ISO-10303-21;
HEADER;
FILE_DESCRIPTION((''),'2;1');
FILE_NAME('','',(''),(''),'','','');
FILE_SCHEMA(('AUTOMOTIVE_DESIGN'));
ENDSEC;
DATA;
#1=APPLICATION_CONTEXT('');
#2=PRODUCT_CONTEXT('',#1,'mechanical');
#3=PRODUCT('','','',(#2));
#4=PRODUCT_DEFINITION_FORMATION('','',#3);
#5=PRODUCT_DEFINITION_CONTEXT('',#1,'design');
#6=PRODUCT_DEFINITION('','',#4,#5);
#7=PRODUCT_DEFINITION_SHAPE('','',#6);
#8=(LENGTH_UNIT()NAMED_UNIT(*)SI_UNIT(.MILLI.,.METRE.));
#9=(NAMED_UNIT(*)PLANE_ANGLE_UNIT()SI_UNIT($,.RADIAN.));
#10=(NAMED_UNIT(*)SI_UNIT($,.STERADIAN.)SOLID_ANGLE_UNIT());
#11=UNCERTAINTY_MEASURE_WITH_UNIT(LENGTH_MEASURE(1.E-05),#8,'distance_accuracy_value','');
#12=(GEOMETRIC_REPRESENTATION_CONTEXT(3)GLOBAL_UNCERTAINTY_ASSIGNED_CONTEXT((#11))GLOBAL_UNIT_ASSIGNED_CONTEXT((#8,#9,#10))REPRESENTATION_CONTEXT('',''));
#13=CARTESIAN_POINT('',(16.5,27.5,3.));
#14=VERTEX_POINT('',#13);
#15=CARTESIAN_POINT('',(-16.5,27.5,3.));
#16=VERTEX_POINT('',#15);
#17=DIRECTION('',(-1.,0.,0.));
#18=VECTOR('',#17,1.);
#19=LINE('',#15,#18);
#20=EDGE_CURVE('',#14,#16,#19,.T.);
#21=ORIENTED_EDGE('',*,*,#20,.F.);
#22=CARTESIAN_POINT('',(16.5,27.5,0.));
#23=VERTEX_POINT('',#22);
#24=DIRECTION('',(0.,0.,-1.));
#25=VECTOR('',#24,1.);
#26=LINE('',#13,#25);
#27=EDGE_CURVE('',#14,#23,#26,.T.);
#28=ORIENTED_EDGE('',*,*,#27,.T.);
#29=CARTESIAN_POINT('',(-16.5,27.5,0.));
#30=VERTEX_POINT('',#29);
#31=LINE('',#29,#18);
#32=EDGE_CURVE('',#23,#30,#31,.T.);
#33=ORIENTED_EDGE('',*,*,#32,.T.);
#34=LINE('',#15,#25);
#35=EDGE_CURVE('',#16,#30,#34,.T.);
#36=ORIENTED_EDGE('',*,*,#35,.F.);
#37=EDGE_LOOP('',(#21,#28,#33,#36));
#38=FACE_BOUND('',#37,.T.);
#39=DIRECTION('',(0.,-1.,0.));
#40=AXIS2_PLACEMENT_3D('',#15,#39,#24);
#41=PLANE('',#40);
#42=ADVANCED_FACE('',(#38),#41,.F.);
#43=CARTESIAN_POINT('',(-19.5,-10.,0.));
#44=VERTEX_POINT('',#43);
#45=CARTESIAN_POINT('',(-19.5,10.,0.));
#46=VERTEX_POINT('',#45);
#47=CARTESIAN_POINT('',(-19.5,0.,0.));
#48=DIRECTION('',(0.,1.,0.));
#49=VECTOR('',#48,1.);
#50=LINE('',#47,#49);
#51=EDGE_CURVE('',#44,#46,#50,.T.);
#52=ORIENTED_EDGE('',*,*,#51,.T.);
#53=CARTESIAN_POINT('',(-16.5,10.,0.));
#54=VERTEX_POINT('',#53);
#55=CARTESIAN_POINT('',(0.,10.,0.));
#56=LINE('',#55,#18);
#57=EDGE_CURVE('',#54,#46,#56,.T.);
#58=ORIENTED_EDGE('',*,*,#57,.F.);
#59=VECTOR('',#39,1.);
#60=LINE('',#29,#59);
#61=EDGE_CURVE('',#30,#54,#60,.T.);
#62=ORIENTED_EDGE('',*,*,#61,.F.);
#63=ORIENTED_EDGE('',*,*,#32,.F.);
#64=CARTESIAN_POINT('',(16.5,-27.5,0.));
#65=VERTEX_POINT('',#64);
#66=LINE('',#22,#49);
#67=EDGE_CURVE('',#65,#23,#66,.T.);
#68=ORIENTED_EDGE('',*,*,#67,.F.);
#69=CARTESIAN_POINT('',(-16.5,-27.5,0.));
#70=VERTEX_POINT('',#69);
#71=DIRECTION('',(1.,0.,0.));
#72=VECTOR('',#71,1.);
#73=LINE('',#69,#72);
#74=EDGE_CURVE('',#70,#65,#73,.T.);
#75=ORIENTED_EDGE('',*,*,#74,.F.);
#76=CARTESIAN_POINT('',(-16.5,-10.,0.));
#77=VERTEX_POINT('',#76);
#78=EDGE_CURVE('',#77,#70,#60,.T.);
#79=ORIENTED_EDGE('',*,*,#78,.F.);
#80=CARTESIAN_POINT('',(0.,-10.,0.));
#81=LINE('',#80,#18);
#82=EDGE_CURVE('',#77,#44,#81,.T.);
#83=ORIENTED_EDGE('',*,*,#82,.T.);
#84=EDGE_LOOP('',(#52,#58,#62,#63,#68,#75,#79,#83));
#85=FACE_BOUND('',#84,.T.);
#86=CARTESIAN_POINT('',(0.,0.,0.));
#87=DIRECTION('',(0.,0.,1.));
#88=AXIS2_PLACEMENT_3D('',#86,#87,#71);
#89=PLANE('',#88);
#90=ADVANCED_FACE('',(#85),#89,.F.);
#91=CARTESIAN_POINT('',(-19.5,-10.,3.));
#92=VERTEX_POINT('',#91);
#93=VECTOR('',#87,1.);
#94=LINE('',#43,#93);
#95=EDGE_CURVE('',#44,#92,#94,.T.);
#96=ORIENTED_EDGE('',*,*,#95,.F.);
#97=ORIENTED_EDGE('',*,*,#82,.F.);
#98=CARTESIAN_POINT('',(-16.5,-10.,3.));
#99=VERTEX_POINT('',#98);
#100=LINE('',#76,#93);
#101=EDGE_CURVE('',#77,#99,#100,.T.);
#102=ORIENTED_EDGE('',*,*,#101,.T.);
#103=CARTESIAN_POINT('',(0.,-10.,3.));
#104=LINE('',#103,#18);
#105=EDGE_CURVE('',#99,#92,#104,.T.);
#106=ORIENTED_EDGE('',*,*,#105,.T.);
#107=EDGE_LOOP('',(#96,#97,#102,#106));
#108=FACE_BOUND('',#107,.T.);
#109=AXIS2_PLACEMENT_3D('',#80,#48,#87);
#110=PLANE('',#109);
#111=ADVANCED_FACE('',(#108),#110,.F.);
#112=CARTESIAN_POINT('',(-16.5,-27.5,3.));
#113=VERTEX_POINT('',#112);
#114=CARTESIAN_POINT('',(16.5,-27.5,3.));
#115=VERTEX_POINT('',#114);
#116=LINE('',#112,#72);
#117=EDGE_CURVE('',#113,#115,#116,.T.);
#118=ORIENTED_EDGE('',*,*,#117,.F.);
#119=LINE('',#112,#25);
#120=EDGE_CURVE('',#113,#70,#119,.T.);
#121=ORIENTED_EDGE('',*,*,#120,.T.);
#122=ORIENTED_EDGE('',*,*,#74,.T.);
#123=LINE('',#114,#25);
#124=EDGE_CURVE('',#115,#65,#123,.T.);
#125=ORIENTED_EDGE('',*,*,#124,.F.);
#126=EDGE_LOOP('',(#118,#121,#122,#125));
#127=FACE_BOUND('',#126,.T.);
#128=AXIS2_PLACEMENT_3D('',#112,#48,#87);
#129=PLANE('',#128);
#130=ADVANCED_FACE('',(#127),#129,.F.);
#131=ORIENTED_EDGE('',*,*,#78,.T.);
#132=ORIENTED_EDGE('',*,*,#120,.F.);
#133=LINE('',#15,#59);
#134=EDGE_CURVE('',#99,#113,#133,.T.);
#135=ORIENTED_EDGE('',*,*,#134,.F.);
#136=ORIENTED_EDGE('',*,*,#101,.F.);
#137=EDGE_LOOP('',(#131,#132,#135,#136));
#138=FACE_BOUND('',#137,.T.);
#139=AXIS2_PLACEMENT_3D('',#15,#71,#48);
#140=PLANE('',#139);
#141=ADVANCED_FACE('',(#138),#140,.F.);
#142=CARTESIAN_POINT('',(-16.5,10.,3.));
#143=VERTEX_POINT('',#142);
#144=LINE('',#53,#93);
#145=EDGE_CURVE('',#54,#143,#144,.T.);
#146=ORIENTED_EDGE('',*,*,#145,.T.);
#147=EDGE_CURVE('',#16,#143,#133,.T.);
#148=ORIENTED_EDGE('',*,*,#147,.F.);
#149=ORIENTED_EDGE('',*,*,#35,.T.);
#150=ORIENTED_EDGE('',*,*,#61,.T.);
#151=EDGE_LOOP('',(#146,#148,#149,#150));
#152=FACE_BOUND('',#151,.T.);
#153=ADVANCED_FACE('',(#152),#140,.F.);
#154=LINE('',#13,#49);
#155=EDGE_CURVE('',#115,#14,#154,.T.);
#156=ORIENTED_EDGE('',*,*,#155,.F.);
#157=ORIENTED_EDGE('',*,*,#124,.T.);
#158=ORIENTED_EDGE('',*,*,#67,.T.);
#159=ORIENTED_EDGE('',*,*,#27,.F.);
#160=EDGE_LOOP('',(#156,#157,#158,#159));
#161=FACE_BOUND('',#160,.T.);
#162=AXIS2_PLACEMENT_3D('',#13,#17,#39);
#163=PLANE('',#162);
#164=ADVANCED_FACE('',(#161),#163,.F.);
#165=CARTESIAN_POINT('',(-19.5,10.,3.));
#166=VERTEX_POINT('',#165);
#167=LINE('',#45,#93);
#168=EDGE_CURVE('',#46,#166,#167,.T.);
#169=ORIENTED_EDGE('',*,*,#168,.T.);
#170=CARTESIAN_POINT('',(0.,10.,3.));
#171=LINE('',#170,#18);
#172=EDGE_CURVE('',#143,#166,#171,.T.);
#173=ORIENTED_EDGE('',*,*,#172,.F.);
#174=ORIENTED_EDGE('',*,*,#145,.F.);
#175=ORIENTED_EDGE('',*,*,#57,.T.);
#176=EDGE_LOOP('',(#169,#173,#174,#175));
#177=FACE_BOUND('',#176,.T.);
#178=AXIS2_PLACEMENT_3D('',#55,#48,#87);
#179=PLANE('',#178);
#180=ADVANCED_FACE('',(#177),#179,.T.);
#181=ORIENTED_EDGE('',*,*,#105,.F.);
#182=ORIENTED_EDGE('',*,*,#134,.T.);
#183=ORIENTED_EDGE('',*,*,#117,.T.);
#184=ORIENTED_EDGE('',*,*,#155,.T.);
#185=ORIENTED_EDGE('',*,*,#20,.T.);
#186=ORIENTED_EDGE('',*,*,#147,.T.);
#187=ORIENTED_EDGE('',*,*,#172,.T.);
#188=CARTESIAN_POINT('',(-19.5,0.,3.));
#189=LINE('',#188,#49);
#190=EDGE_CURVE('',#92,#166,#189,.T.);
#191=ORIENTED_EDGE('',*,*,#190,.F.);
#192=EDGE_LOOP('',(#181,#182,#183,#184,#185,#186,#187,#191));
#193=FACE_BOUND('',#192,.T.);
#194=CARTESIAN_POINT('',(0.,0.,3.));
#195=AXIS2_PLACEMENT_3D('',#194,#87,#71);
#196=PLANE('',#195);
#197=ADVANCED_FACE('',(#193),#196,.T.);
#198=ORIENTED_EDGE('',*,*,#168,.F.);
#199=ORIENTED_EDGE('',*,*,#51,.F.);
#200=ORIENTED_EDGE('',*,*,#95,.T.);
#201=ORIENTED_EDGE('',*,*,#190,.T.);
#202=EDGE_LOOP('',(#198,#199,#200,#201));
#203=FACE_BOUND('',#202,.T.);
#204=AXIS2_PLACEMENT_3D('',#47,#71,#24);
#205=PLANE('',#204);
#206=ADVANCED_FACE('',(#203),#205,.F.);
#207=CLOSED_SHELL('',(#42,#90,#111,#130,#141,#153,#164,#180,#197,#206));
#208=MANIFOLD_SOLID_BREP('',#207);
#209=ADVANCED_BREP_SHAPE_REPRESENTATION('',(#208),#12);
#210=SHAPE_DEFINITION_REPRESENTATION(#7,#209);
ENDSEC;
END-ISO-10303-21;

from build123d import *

# Parameters (mm, degrees)
CROQUIS1_W              = 33
CROQUIS1_H              = 55
SALIENTE_EXTRUIR1_DEPTH = 3
CROQUIS2_W              = 3
CROQUIS2_H              = 20
SALIENTE_EXTRUIR2_DEPTH = 3


with BuildPart() as part:
    # Croquis1 → Saliente-Extruir1 (new body)
    with BuildSketch(Plane.XY):
        Rectangle(CROQUIS1_W, CROQUIS1_H)
    extrude(amount=SALIENTE_EXTRUIR1_DEPTH)

    # Croquis2 → Saliente-Extruir2 (add)
    with BuildSketch(Plane.XY.offset(3)):
        with Locations((-18, 0)):
            Rectangle(CROQUIS2_W, CROQUIS2_H)
    extrude(amount=-SALIENTE_EXTRUIR2_DEPTH)


solid = part.part
